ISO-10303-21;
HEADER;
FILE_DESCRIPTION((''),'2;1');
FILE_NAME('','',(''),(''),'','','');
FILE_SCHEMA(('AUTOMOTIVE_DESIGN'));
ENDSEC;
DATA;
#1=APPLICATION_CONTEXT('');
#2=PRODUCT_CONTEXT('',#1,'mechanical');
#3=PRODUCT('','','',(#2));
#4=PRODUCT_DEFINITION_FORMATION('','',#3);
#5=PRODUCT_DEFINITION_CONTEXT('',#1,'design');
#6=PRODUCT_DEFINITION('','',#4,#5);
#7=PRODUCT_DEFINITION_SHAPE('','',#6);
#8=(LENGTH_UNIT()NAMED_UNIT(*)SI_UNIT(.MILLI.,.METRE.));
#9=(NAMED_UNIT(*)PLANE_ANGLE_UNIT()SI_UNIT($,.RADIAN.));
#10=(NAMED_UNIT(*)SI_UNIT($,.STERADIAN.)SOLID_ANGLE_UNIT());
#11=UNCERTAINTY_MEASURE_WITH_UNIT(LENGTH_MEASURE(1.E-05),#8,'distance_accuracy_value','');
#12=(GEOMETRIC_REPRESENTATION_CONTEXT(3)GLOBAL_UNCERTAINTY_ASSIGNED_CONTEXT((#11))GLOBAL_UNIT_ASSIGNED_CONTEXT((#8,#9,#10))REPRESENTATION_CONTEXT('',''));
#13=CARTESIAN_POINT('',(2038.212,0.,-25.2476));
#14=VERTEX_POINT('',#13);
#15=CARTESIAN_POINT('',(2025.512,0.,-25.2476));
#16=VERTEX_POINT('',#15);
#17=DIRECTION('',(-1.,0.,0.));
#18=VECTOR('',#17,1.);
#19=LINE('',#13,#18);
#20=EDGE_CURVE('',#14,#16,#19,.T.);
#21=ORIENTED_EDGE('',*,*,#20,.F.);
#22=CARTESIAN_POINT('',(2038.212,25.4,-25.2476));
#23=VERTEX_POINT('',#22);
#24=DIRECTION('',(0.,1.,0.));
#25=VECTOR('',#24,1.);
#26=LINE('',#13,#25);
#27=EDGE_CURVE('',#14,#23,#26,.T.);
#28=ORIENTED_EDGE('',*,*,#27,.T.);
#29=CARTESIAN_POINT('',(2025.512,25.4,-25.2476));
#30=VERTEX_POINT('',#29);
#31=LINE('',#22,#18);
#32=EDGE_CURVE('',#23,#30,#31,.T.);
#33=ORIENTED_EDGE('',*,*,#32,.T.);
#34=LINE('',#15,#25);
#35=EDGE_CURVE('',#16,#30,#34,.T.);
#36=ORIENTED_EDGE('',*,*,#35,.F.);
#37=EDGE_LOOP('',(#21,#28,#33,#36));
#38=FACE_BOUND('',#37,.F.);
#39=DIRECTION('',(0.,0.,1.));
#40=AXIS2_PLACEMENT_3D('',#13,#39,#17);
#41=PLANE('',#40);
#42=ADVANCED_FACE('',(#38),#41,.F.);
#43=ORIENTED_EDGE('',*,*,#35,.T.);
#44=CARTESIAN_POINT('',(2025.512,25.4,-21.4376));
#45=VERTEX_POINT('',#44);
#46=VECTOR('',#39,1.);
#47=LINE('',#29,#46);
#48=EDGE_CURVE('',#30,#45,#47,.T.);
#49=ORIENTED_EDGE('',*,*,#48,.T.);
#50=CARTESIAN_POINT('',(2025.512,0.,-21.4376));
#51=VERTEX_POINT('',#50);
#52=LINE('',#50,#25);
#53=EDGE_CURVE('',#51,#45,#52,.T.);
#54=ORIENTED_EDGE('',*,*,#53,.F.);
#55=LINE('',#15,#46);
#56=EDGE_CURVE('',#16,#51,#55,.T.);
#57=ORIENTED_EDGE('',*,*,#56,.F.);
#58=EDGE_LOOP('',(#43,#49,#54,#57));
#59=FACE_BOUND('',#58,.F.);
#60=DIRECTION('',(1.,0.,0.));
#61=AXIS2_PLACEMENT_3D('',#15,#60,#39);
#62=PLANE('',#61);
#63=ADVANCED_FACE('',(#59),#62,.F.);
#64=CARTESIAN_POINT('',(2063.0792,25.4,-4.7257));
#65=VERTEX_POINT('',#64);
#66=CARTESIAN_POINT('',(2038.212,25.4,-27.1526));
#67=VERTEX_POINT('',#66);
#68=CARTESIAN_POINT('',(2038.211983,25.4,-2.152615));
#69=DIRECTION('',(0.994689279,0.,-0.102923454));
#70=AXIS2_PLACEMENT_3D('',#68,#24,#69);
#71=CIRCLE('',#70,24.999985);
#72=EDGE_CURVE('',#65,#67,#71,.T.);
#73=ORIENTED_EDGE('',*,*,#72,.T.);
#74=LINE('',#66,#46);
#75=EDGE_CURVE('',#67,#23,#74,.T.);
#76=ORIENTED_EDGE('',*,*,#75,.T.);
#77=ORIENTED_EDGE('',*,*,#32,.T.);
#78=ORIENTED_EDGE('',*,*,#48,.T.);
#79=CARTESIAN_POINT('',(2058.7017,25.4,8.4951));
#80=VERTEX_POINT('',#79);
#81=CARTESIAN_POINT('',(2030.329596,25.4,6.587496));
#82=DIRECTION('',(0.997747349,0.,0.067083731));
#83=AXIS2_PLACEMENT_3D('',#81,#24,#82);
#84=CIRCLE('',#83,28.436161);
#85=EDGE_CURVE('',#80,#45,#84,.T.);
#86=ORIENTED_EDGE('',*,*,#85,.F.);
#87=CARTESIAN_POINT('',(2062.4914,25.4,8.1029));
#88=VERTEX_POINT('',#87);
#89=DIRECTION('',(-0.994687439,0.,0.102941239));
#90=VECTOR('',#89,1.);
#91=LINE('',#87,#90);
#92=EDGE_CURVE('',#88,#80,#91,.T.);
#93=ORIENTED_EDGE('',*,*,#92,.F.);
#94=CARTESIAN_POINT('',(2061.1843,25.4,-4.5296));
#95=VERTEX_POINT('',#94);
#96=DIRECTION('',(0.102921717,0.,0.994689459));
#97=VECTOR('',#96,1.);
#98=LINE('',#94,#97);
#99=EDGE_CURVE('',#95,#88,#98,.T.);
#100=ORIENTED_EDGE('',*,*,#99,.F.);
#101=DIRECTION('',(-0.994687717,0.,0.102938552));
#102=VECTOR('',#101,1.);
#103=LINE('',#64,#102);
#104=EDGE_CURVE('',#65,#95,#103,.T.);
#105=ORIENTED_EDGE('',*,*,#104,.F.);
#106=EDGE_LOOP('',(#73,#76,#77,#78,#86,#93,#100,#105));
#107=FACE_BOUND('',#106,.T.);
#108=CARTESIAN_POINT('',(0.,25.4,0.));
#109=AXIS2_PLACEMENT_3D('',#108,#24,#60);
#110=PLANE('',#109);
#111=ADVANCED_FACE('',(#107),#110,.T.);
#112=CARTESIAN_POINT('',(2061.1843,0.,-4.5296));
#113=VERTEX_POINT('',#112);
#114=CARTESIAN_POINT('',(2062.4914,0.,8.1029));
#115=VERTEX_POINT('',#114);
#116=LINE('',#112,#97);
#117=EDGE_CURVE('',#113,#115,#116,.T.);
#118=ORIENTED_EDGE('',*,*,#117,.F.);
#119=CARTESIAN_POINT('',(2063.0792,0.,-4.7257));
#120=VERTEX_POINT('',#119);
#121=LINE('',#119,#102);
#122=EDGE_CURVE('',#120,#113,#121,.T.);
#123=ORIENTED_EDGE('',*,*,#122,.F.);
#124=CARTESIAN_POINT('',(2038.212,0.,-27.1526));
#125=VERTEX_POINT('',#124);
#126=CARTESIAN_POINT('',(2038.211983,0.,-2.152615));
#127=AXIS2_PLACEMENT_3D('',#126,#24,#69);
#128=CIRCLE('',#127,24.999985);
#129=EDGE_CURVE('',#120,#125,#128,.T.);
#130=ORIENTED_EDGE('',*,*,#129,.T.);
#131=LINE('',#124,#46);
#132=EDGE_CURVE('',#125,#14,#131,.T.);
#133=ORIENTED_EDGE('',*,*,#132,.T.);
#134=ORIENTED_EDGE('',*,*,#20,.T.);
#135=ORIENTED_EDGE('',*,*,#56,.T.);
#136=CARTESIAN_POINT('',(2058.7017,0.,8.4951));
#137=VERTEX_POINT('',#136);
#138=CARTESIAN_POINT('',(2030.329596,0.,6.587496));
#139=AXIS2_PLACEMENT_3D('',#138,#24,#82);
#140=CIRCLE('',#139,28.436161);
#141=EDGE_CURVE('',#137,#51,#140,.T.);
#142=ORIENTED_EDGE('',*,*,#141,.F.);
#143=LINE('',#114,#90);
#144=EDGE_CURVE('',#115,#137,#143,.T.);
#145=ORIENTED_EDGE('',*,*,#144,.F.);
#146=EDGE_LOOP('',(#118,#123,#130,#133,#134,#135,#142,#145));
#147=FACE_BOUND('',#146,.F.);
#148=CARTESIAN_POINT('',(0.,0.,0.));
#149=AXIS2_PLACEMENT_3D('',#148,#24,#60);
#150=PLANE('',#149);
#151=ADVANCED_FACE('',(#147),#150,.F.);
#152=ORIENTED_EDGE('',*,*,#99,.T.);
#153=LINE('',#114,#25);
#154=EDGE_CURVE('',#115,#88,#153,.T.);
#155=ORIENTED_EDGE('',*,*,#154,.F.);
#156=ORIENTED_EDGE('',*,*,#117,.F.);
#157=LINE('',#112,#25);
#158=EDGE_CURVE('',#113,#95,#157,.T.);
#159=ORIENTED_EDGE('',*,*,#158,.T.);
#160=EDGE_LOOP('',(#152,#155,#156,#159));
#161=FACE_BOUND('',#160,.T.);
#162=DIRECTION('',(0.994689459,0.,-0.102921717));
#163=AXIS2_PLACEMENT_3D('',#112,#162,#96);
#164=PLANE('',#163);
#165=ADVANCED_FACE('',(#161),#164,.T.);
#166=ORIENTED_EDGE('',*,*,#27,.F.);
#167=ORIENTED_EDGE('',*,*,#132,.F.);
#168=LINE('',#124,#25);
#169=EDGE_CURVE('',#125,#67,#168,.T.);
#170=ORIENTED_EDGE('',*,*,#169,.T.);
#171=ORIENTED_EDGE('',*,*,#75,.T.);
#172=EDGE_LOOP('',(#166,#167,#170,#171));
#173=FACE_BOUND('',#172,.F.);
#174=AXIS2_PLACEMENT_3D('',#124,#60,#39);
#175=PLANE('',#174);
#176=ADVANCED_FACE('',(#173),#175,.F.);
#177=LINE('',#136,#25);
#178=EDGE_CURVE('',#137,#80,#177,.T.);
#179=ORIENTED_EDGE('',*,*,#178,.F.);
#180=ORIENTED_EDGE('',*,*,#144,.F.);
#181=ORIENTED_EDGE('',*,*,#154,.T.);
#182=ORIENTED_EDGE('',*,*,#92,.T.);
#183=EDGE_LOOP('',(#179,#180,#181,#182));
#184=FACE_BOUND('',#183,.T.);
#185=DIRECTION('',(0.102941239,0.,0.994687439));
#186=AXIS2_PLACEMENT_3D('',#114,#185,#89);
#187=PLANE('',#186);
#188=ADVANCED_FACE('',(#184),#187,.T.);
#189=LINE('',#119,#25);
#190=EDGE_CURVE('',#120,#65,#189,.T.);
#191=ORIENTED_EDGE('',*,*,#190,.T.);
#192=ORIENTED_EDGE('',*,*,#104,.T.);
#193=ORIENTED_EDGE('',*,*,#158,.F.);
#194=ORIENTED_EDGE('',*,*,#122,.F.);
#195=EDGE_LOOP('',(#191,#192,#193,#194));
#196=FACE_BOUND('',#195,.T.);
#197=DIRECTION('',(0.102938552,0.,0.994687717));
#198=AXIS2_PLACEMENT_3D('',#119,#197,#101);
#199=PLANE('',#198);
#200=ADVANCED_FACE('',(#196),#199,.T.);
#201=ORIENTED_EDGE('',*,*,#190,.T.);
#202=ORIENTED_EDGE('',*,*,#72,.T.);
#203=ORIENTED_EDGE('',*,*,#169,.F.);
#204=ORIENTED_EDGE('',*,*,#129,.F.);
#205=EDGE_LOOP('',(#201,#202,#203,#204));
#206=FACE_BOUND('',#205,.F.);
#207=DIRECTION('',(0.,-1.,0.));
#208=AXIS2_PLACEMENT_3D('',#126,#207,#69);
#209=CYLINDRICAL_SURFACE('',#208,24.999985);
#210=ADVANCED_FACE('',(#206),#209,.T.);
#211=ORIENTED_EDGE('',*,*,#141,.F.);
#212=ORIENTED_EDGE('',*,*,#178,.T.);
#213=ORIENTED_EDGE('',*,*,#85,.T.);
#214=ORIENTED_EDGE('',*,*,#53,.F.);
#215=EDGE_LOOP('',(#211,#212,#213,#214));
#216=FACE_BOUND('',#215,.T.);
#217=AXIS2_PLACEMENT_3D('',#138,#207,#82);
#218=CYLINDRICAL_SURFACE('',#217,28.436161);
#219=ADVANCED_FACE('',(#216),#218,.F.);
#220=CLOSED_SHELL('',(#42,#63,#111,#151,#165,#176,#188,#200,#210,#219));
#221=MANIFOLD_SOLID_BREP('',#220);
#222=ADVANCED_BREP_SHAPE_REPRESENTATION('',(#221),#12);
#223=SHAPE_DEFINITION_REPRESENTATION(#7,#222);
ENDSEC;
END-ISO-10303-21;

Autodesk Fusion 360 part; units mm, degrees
sketch "Front, Bottom corner" plane through (0, 0, 0) normal (0, 1, 0) x (1, 0, 0)
  circle A0 centre (2038.212, 2.1526) radius 25 construction
  line L0 (2073.9927, -100.7451) -> (2060.9213, 25.5804) construction
  line L1 (1557.274, 27.1526) -> (2059.178, 27.1526) construction
  line L2 (2038.212, 27.1526) -> (2038.212, 25.2476)
  line L3 (2038.212, 25.2476) -> (2025.512, 25.2476)
  line L4 (2025.512, 25.2476) -> (2025.512, 21.4376)
  line L5 (2063.0792, 4.7257) -> (2061.1843, 4.5296)
  line L6 (2061.1843, 4.5296) -> (2062.4914, -8.1029)
  line L7 (2062.4914, -8.1029) -> (2058.7017, -8.4951)
  arc A1 (2063.0792, 4.7257) -> (2038.212, 27.1526) centre (2038.212, 2.1526) ccw
  line L8 (2038.212, 2.1526) -> (2054.9552, 20.7177) construction
  arc A2 (2058.7017, -8.4951) -> (2025.512, 21.4376) centre (2030.3296, -6.5875) ccw
  point P0 (2049.3741, 14.5294)
extrude "Extrude1" add sketch "Front, Bottom corner" along normal blind 25.4
